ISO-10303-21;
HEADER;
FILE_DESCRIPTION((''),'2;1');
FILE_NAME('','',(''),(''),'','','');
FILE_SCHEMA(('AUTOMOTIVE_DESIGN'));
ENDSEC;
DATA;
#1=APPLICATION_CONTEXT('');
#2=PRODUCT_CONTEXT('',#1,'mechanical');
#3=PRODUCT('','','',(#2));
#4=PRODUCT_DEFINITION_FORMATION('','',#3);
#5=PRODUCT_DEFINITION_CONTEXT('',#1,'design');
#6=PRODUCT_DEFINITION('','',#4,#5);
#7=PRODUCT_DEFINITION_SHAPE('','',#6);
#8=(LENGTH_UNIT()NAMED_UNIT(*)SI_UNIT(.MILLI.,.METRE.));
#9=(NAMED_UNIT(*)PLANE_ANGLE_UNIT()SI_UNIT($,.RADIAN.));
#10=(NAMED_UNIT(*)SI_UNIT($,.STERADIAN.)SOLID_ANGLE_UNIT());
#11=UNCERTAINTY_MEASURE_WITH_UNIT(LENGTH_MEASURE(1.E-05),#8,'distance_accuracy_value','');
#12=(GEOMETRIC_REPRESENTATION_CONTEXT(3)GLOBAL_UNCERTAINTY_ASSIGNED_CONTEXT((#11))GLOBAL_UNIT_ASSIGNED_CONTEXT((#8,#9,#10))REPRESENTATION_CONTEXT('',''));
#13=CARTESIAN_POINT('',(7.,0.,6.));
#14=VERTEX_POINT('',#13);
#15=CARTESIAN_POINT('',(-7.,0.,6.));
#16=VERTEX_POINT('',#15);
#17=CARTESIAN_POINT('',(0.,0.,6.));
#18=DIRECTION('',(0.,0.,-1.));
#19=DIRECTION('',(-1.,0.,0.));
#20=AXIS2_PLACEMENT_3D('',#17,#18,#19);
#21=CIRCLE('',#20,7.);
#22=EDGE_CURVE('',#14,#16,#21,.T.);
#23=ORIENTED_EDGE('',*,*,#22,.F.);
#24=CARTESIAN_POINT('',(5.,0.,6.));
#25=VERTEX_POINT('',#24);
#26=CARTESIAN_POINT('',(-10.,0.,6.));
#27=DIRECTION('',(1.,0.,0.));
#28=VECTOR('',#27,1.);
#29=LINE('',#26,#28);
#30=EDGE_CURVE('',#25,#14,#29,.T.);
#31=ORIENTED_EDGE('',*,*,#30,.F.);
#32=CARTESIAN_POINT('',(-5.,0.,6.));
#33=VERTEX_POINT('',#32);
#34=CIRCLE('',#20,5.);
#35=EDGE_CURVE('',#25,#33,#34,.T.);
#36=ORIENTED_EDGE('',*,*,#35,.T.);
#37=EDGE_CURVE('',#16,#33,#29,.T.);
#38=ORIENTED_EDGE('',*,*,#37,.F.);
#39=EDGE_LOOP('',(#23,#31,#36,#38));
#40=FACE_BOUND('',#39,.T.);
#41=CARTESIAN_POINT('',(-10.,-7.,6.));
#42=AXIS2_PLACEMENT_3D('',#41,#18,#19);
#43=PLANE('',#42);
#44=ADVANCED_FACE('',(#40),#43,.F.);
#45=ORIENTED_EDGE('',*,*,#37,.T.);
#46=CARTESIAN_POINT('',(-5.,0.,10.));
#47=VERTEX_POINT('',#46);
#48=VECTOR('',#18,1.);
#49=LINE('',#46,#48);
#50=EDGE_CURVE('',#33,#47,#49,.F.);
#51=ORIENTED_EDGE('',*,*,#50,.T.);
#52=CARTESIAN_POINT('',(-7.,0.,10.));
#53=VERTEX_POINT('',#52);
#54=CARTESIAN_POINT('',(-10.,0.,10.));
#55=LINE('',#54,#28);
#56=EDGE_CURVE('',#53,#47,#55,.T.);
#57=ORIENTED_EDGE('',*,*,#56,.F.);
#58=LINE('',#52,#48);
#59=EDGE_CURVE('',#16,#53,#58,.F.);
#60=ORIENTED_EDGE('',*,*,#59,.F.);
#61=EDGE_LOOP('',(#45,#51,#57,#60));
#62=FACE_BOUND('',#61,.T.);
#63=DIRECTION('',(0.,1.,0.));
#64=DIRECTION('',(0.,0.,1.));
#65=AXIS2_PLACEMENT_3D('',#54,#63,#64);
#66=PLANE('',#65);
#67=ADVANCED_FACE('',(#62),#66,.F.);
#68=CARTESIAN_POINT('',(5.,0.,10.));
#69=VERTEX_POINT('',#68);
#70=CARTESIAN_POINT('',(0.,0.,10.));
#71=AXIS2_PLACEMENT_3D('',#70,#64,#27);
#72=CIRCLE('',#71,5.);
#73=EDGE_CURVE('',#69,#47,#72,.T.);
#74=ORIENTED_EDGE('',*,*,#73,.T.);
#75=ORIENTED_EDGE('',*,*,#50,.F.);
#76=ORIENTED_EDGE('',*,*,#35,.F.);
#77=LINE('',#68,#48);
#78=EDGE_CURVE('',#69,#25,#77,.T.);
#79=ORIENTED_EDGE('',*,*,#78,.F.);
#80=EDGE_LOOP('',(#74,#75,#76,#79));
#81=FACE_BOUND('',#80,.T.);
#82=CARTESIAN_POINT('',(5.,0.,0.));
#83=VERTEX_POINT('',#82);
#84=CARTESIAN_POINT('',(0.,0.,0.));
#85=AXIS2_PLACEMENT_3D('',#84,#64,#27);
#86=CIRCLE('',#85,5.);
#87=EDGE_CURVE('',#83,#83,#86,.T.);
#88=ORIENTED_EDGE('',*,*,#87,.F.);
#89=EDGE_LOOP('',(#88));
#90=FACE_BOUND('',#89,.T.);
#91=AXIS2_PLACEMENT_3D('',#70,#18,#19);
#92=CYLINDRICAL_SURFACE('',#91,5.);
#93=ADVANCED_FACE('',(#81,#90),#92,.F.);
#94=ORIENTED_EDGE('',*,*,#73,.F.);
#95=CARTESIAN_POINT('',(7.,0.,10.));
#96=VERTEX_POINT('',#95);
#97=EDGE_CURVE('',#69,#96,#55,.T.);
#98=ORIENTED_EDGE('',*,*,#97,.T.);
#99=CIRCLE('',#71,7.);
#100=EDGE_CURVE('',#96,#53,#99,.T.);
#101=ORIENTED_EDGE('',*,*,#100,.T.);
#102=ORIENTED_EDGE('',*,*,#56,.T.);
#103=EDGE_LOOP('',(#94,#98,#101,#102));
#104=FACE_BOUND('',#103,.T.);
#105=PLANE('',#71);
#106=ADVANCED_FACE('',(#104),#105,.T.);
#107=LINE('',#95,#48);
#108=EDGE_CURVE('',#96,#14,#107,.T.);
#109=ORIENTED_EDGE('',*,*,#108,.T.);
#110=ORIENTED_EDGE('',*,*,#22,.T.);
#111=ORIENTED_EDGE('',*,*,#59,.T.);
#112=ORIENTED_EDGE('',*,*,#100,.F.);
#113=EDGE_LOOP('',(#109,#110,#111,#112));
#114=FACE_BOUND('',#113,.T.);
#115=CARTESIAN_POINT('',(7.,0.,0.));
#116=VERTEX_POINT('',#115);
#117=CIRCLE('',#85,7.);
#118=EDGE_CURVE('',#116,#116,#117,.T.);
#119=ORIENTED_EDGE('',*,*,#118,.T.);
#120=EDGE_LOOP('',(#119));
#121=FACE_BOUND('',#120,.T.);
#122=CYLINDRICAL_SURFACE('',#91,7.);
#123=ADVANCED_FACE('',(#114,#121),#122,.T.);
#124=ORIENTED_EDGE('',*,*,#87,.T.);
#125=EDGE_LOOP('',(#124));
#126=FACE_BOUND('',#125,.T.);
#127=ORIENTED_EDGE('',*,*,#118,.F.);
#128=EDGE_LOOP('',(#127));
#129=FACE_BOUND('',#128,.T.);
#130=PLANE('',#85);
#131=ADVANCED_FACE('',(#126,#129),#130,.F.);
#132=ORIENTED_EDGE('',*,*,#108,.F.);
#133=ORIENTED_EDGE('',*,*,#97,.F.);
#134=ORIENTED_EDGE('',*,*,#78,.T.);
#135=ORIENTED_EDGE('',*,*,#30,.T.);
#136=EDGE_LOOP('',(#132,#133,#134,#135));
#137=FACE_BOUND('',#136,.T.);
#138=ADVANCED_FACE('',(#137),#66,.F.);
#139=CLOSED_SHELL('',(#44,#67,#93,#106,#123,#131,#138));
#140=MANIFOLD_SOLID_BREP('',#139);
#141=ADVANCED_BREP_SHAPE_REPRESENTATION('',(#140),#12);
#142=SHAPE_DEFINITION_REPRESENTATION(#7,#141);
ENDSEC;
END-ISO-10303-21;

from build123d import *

# Parameters (mm, degrees)
SKETCH1_R           = 7
SKETCH1_R_2         = 5
BOSS_EXTRUDE1_DEPTH = 10
SKETCH3_W           = 4
SKETCH3_H           = 7
CUT_EXTRUDE1_DEPTH  = 10


with BuildPart() as part:
    # Sketch1 → Boss-Extrude1 (new body)
    with BuildSketch(Plane.XY):
        Circle(SKETCH1_R)
        Circle(SKETCH1_R_2, mode=Mode.SUBTRACT)
    extrude(amount=BOSS_EXTRUDE1_DEPTH)

    # Sketch3 → Cut-Extrude1 (cut, symmetric)
    with BuildSketch(Plane(origin=(0, 0, 0), x_dir=(0, 0, -1), z_dir=(1, 0, 0))):
        with Locations((-8, -3.5)):
            Rectangle(SKETCH3_W, SKETCH3_H)
    extrude(amount=CUT_EXTRUDE1_DEPTH, both=True, mode=Mode.SUBTRACT)


solid = part.part
